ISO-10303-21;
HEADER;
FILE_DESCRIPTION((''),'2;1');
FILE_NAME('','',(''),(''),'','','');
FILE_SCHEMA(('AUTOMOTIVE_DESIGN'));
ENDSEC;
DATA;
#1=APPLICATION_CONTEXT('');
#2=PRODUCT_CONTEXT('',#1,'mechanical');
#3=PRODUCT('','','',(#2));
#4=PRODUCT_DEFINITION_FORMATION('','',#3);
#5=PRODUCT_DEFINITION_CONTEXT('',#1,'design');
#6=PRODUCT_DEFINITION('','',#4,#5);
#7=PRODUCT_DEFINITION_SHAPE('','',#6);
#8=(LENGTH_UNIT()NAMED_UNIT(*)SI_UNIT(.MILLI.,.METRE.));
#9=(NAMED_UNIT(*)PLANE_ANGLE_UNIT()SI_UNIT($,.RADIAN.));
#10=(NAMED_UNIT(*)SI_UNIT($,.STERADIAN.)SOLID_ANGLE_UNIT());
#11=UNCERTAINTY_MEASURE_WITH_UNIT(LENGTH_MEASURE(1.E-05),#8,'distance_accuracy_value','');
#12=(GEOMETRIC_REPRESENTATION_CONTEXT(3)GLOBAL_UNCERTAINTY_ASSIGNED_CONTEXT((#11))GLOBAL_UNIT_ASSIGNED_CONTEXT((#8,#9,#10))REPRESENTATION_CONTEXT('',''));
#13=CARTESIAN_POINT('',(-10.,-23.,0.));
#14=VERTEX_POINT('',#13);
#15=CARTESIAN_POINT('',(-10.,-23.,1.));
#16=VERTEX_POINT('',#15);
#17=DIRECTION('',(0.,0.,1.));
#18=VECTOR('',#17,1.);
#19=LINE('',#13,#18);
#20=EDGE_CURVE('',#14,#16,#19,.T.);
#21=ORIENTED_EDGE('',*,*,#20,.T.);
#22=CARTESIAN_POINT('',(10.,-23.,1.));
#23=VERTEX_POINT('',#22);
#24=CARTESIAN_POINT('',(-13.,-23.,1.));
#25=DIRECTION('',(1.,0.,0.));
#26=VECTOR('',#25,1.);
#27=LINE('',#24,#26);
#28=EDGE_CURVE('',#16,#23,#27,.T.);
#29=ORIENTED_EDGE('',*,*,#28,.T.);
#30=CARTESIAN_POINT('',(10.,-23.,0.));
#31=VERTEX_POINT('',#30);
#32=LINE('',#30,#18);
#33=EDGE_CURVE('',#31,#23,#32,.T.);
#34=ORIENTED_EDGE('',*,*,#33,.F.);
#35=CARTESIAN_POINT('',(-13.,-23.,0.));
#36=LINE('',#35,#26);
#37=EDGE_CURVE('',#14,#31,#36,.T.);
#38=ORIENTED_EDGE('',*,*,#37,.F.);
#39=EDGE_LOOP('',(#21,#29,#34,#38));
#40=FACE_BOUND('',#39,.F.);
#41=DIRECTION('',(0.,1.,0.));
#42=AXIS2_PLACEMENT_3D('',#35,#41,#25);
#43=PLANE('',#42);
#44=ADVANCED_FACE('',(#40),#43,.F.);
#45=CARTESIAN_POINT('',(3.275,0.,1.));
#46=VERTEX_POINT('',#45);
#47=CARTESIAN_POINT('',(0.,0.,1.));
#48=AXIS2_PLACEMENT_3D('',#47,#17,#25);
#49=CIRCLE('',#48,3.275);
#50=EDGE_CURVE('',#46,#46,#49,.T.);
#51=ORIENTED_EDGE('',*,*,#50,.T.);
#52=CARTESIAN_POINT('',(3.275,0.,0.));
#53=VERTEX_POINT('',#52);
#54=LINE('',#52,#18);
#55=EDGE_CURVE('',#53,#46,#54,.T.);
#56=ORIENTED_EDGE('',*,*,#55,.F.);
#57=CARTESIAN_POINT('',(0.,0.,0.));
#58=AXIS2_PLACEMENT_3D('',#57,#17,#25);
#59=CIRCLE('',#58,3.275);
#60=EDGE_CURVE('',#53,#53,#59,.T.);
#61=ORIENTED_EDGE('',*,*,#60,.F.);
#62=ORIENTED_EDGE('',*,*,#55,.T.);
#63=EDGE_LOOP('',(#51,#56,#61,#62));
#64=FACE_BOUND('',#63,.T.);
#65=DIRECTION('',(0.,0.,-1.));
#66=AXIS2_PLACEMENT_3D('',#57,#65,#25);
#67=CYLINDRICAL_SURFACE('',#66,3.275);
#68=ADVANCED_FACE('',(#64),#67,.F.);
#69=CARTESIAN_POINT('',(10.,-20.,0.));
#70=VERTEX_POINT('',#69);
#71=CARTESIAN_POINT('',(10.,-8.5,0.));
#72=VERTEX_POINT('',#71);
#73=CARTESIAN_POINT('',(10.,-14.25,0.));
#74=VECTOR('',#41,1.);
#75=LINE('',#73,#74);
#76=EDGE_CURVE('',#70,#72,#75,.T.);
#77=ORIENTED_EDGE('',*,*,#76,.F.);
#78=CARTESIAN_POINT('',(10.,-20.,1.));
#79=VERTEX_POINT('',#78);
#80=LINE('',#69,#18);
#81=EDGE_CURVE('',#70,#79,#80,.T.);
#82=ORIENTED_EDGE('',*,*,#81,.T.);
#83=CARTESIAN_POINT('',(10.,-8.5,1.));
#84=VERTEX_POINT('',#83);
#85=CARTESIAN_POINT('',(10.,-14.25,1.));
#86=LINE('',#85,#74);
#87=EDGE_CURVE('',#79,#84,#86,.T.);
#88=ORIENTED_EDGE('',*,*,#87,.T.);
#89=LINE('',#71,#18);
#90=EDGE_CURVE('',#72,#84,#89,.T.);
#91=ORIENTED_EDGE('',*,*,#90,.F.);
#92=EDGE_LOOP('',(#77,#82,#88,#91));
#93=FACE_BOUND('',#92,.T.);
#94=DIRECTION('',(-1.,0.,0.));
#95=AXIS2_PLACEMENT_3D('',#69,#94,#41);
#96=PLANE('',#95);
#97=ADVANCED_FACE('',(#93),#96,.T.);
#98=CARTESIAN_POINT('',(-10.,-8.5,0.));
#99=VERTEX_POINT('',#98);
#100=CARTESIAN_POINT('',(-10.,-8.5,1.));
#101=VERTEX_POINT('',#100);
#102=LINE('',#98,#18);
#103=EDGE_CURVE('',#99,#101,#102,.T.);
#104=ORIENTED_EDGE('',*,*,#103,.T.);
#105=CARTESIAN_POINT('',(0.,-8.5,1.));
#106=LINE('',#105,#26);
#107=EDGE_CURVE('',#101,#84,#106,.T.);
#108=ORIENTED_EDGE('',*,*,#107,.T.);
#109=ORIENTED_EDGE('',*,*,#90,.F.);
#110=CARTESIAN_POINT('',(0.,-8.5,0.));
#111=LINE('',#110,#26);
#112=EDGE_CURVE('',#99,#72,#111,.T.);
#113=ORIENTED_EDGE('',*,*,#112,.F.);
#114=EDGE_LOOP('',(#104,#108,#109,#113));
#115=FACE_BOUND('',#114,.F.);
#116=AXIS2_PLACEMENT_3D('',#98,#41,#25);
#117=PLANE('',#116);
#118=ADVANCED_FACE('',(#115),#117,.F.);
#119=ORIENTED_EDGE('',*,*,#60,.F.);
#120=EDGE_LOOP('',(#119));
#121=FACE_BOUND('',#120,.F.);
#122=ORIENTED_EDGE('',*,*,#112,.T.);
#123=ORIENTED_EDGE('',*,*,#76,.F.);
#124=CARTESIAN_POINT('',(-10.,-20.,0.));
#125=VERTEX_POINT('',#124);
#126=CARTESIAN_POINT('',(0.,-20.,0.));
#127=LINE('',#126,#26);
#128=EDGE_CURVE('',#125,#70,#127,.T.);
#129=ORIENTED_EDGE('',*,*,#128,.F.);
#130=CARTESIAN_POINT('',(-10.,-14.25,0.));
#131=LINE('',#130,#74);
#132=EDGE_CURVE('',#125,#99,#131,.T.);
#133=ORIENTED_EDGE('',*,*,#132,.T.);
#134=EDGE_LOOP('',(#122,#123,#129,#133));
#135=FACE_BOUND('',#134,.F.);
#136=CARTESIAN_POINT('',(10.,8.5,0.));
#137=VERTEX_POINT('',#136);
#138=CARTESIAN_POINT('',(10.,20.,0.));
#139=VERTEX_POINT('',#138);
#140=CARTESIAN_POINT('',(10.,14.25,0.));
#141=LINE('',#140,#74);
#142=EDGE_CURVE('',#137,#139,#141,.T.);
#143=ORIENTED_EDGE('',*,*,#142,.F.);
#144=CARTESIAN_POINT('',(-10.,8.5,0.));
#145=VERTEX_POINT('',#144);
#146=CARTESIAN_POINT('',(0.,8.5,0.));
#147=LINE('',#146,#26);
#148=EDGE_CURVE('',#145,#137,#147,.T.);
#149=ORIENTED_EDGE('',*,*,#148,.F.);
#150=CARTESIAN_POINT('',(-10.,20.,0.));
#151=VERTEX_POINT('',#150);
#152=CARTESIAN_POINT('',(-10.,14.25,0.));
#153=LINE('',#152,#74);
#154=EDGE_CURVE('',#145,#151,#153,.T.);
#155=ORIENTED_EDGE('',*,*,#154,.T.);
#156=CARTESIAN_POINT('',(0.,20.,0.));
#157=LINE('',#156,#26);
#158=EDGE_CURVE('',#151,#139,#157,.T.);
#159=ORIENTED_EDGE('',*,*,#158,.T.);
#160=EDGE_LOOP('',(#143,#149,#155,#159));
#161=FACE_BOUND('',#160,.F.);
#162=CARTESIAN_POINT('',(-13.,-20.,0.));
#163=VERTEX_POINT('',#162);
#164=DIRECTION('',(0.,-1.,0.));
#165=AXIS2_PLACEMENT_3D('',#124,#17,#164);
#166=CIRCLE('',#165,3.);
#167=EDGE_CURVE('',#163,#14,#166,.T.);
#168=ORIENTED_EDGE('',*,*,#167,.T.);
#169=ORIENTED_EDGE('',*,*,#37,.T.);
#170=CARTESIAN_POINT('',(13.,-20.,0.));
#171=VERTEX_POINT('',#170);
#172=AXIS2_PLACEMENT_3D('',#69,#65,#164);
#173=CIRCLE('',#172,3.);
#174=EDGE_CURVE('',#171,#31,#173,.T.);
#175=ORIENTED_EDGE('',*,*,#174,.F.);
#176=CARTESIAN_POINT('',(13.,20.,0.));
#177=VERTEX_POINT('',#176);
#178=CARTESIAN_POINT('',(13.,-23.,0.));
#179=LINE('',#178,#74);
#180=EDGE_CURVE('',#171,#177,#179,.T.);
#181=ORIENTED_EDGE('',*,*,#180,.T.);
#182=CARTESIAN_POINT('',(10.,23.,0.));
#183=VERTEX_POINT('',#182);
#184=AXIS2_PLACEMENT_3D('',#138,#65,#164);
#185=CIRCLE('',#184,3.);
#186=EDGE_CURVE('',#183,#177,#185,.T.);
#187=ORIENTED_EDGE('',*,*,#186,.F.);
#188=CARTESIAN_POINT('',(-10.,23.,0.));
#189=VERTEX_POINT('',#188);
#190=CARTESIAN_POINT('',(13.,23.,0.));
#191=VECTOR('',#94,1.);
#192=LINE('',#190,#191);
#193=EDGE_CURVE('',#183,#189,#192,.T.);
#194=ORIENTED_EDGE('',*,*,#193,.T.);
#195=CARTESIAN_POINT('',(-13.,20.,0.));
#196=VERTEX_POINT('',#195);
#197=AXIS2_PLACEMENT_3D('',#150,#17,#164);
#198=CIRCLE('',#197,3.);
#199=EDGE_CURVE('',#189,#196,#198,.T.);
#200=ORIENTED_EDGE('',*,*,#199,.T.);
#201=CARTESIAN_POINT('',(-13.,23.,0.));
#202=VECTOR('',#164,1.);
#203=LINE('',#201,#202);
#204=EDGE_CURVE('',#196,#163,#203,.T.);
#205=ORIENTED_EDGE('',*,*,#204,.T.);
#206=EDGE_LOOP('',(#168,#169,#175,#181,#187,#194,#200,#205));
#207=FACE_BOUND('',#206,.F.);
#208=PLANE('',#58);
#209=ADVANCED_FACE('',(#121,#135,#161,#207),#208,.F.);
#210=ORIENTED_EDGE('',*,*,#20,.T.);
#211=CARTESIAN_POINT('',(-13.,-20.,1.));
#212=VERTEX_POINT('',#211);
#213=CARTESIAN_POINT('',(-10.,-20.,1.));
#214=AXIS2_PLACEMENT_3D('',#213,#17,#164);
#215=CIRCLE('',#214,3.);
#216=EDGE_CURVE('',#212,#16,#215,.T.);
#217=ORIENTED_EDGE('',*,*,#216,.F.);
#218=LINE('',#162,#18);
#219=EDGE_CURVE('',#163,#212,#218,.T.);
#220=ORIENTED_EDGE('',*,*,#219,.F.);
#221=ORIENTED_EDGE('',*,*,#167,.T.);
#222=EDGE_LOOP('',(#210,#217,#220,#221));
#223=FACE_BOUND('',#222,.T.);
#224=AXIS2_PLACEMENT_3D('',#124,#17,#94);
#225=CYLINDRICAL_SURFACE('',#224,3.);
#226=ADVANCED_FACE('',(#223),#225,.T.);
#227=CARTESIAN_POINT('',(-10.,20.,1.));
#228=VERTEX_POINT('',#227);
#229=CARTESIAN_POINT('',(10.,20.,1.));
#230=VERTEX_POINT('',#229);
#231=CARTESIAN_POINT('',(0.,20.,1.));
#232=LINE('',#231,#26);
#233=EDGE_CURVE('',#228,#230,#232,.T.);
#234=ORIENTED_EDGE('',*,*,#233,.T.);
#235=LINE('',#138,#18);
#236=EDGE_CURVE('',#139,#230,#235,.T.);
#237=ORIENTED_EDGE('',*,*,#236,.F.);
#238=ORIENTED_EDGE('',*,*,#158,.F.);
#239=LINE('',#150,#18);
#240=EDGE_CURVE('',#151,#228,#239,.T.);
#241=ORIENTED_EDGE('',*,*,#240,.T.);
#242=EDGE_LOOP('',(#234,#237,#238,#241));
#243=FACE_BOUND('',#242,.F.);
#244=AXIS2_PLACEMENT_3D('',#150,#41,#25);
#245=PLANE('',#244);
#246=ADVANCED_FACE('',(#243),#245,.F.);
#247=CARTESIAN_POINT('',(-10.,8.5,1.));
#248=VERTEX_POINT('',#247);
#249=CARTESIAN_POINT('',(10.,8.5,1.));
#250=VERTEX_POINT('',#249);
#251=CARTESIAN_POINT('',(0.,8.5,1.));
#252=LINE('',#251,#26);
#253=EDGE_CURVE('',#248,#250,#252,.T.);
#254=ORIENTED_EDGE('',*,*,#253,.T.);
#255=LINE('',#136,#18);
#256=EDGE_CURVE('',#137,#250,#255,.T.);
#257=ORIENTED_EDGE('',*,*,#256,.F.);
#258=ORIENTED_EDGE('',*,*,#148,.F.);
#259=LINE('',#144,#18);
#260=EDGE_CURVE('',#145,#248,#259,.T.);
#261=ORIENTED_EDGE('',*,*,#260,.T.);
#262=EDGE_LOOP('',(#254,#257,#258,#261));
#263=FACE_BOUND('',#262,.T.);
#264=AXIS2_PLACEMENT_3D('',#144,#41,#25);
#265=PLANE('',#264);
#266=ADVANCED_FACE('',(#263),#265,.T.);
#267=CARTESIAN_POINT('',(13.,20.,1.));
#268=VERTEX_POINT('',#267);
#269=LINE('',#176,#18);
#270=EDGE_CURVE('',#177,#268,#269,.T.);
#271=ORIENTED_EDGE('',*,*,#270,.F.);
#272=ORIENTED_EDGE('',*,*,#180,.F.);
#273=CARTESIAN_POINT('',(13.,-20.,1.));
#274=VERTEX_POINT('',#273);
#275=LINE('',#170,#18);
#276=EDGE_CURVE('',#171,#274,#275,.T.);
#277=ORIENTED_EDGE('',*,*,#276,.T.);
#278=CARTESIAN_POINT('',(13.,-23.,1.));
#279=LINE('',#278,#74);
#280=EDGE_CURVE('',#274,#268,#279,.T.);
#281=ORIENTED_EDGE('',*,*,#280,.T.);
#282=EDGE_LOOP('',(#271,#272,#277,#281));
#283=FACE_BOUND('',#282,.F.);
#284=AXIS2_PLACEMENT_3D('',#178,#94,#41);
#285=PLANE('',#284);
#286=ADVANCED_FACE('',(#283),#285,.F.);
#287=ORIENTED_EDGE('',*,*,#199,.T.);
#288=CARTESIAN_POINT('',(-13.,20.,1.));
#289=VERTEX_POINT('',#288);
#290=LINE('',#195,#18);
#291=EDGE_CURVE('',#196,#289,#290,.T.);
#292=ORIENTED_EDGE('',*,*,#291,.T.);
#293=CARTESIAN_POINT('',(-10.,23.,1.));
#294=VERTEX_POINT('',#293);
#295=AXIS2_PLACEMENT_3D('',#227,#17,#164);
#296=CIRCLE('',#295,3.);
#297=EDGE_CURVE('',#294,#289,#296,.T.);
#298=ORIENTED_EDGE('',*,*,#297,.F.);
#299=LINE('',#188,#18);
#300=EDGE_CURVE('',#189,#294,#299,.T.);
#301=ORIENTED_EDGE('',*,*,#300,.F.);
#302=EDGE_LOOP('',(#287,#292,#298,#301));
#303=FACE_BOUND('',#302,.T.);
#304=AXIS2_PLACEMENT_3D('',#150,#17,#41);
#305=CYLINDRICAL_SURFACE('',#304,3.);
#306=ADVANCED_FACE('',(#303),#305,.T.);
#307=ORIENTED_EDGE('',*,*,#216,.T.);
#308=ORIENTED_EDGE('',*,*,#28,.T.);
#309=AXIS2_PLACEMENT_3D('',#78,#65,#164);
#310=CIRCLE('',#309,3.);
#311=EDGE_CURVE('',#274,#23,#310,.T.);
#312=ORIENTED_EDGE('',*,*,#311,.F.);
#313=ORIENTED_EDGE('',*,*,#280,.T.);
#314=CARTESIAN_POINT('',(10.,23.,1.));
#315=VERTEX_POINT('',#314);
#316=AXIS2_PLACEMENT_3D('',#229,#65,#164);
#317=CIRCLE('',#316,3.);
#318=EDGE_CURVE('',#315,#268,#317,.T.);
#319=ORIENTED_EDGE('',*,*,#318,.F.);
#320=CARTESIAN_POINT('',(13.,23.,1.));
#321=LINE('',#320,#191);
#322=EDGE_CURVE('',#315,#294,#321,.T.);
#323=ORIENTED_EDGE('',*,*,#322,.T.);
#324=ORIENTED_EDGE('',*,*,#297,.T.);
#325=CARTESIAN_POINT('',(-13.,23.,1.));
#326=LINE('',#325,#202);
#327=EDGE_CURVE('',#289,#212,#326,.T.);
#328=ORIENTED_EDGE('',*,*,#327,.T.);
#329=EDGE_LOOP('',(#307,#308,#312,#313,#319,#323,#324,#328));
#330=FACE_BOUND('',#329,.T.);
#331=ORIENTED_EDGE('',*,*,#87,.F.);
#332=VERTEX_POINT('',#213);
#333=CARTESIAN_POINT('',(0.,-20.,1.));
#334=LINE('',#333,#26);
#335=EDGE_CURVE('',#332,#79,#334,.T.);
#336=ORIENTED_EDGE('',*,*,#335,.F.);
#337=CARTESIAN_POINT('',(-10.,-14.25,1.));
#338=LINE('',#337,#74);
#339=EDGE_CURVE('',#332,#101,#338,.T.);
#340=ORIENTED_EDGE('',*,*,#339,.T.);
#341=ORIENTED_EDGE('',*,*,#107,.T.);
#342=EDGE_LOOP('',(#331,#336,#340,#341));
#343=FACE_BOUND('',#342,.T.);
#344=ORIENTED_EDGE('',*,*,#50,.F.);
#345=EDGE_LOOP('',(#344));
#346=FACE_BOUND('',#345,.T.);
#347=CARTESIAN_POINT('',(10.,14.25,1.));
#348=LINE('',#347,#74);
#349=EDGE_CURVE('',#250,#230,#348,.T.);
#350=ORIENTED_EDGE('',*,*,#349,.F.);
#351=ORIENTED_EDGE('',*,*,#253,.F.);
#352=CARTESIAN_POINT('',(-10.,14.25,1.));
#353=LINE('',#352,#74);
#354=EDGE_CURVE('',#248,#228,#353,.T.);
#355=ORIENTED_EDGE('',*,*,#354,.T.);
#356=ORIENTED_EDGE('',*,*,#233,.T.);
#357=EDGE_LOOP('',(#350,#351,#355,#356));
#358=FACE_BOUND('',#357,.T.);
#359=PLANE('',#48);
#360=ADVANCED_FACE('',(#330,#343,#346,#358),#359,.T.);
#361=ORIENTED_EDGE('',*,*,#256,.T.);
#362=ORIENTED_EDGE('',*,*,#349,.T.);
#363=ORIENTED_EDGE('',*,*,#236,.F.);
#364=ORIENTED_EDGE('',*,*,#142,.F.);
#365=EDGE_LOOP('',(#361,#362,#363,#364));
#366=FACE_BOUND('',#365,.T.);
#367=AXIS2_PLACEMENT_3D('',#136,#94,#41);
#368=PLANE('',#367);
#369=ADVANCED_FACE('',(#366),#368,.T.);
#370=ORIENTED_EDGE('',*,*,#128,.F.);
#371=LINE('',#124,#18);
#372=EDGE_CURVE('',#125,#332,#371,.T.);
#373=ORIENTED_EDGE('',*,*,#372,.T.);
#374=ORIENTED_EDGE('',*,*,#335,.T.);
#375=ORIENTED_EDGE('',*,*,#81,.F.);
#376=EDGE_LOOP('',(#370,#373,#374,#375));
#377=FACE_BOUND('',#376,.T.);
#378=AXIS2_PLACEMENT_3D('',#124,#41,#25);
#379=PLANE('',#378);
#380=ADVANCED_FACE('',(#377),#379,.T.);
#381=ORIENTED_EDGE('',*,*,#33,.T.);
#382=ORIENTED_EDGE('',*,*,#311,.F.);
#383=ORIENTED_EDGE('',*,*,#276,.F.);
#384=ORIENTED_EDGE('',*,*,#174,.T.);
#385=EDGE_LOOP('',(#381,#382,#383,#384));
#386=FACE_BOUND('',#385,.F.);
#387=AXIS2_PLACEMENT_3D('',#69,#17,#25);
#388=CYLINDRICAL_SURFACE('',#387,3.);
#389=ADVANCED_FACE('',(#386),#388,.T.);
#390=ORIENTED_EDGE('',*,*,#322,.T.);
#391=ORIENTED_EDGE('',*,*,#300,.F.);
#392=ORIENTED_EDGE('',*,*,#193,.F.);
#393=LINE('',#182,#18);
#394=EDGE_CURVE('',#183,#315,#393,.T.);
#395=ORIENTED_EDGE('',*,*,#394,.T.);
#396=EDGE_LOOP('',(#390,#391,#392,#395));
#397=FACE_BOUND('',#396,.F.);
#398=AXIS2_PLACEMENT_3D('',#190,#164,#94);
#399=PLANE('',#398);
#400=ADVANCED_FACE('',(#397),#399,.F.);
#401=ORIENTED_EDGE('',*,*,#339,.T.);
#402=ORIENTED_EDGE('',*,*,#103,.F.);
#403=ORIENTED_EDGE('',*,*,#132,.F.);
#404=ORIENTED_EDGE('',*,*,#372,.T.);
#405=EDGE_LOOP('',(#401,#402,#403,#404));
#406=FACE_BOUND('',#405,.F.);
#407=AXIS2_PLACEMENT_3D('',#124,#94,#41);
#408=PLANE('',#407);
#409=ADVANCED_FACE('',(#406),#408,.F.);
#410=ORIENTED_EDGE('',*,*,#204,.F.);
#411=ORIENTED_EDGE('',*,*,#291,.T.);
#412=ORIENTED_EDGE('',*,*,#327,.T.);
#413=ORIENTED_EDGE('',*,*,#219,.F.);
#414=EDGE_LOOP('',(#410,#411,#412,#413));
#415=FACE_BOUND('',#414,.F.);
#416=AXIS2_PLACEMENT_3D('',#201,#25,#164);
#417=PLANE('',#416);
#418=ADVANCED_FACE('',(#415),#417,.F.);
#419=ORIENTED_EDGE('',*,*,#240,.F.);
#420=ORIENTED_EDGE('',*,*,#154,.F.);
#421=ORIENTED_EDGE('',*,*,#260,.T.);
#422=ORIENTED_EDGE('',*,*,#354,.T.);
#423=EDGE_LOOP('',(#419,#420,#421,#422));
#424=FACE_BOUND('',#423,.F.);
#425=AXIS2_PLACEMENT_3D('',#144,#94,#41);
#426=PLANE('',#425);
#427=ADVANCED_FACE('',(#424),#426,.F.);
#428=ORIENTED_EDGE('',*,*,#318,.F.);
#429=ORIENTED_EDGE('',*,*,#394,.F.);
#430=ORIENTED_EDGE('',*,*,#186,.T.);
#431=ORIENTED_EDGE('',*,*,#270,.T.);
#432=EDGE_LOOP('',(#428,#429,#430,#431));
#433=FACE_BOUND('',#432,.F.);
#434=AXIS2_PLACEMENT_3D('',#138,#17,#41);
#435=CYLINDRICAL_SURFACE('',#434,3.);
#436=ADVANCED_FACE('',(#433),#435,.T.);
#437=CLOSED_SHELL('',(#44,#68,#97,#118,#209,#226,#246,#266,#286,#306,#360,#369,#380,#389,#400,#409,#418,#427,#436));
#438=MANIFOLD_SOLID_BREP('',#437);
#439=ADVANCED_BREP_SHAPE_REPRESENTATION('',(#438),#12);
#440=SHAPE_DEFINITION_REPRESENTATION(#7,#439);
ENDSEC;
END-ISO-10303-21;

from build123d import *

# Parameters (mm, degrees)
F0_W     = 20
F0_H     = 11.5
F0_R     = 3.275
F1_DEPTH = 1
F2_R     = 3


with BuildPart() as f1:
    # F0 (on Top) → F1 (new body)
    with BuildSketch(Plane.XY):
        Polygon((13, 23), (-13, 23), (-13, 8.5), (-13, 0), (-13, -8.5), (-13, -23), (13, -23), (13, -8.5), (13, 0), (13, 8.5), align=None)
        with Locations((0, -14.25)):
            Rectangle(F0_W, F0_H, mode=Mode.SUBTRACT)
        Circle(F0_R, mode=Mode.SUBTRACT)
        with Locations((0, 14.25)):
            Rectangle(F0_W, F0_H, mode=Mode.SUBTRACT)
    extrude(amount=F1_DEPTH)

    # F2
    f2_edges = [f1.edges().sort_by_distance(p)[0] for p in [
        (13, -23, 0.5),
        (-13, -23, 0.5),
        (13, 23, 0.5),
        (-13, 23, 0.5),
    ]]
    fillet(f2_edges, radius=F2_R)


solid = f1.part
